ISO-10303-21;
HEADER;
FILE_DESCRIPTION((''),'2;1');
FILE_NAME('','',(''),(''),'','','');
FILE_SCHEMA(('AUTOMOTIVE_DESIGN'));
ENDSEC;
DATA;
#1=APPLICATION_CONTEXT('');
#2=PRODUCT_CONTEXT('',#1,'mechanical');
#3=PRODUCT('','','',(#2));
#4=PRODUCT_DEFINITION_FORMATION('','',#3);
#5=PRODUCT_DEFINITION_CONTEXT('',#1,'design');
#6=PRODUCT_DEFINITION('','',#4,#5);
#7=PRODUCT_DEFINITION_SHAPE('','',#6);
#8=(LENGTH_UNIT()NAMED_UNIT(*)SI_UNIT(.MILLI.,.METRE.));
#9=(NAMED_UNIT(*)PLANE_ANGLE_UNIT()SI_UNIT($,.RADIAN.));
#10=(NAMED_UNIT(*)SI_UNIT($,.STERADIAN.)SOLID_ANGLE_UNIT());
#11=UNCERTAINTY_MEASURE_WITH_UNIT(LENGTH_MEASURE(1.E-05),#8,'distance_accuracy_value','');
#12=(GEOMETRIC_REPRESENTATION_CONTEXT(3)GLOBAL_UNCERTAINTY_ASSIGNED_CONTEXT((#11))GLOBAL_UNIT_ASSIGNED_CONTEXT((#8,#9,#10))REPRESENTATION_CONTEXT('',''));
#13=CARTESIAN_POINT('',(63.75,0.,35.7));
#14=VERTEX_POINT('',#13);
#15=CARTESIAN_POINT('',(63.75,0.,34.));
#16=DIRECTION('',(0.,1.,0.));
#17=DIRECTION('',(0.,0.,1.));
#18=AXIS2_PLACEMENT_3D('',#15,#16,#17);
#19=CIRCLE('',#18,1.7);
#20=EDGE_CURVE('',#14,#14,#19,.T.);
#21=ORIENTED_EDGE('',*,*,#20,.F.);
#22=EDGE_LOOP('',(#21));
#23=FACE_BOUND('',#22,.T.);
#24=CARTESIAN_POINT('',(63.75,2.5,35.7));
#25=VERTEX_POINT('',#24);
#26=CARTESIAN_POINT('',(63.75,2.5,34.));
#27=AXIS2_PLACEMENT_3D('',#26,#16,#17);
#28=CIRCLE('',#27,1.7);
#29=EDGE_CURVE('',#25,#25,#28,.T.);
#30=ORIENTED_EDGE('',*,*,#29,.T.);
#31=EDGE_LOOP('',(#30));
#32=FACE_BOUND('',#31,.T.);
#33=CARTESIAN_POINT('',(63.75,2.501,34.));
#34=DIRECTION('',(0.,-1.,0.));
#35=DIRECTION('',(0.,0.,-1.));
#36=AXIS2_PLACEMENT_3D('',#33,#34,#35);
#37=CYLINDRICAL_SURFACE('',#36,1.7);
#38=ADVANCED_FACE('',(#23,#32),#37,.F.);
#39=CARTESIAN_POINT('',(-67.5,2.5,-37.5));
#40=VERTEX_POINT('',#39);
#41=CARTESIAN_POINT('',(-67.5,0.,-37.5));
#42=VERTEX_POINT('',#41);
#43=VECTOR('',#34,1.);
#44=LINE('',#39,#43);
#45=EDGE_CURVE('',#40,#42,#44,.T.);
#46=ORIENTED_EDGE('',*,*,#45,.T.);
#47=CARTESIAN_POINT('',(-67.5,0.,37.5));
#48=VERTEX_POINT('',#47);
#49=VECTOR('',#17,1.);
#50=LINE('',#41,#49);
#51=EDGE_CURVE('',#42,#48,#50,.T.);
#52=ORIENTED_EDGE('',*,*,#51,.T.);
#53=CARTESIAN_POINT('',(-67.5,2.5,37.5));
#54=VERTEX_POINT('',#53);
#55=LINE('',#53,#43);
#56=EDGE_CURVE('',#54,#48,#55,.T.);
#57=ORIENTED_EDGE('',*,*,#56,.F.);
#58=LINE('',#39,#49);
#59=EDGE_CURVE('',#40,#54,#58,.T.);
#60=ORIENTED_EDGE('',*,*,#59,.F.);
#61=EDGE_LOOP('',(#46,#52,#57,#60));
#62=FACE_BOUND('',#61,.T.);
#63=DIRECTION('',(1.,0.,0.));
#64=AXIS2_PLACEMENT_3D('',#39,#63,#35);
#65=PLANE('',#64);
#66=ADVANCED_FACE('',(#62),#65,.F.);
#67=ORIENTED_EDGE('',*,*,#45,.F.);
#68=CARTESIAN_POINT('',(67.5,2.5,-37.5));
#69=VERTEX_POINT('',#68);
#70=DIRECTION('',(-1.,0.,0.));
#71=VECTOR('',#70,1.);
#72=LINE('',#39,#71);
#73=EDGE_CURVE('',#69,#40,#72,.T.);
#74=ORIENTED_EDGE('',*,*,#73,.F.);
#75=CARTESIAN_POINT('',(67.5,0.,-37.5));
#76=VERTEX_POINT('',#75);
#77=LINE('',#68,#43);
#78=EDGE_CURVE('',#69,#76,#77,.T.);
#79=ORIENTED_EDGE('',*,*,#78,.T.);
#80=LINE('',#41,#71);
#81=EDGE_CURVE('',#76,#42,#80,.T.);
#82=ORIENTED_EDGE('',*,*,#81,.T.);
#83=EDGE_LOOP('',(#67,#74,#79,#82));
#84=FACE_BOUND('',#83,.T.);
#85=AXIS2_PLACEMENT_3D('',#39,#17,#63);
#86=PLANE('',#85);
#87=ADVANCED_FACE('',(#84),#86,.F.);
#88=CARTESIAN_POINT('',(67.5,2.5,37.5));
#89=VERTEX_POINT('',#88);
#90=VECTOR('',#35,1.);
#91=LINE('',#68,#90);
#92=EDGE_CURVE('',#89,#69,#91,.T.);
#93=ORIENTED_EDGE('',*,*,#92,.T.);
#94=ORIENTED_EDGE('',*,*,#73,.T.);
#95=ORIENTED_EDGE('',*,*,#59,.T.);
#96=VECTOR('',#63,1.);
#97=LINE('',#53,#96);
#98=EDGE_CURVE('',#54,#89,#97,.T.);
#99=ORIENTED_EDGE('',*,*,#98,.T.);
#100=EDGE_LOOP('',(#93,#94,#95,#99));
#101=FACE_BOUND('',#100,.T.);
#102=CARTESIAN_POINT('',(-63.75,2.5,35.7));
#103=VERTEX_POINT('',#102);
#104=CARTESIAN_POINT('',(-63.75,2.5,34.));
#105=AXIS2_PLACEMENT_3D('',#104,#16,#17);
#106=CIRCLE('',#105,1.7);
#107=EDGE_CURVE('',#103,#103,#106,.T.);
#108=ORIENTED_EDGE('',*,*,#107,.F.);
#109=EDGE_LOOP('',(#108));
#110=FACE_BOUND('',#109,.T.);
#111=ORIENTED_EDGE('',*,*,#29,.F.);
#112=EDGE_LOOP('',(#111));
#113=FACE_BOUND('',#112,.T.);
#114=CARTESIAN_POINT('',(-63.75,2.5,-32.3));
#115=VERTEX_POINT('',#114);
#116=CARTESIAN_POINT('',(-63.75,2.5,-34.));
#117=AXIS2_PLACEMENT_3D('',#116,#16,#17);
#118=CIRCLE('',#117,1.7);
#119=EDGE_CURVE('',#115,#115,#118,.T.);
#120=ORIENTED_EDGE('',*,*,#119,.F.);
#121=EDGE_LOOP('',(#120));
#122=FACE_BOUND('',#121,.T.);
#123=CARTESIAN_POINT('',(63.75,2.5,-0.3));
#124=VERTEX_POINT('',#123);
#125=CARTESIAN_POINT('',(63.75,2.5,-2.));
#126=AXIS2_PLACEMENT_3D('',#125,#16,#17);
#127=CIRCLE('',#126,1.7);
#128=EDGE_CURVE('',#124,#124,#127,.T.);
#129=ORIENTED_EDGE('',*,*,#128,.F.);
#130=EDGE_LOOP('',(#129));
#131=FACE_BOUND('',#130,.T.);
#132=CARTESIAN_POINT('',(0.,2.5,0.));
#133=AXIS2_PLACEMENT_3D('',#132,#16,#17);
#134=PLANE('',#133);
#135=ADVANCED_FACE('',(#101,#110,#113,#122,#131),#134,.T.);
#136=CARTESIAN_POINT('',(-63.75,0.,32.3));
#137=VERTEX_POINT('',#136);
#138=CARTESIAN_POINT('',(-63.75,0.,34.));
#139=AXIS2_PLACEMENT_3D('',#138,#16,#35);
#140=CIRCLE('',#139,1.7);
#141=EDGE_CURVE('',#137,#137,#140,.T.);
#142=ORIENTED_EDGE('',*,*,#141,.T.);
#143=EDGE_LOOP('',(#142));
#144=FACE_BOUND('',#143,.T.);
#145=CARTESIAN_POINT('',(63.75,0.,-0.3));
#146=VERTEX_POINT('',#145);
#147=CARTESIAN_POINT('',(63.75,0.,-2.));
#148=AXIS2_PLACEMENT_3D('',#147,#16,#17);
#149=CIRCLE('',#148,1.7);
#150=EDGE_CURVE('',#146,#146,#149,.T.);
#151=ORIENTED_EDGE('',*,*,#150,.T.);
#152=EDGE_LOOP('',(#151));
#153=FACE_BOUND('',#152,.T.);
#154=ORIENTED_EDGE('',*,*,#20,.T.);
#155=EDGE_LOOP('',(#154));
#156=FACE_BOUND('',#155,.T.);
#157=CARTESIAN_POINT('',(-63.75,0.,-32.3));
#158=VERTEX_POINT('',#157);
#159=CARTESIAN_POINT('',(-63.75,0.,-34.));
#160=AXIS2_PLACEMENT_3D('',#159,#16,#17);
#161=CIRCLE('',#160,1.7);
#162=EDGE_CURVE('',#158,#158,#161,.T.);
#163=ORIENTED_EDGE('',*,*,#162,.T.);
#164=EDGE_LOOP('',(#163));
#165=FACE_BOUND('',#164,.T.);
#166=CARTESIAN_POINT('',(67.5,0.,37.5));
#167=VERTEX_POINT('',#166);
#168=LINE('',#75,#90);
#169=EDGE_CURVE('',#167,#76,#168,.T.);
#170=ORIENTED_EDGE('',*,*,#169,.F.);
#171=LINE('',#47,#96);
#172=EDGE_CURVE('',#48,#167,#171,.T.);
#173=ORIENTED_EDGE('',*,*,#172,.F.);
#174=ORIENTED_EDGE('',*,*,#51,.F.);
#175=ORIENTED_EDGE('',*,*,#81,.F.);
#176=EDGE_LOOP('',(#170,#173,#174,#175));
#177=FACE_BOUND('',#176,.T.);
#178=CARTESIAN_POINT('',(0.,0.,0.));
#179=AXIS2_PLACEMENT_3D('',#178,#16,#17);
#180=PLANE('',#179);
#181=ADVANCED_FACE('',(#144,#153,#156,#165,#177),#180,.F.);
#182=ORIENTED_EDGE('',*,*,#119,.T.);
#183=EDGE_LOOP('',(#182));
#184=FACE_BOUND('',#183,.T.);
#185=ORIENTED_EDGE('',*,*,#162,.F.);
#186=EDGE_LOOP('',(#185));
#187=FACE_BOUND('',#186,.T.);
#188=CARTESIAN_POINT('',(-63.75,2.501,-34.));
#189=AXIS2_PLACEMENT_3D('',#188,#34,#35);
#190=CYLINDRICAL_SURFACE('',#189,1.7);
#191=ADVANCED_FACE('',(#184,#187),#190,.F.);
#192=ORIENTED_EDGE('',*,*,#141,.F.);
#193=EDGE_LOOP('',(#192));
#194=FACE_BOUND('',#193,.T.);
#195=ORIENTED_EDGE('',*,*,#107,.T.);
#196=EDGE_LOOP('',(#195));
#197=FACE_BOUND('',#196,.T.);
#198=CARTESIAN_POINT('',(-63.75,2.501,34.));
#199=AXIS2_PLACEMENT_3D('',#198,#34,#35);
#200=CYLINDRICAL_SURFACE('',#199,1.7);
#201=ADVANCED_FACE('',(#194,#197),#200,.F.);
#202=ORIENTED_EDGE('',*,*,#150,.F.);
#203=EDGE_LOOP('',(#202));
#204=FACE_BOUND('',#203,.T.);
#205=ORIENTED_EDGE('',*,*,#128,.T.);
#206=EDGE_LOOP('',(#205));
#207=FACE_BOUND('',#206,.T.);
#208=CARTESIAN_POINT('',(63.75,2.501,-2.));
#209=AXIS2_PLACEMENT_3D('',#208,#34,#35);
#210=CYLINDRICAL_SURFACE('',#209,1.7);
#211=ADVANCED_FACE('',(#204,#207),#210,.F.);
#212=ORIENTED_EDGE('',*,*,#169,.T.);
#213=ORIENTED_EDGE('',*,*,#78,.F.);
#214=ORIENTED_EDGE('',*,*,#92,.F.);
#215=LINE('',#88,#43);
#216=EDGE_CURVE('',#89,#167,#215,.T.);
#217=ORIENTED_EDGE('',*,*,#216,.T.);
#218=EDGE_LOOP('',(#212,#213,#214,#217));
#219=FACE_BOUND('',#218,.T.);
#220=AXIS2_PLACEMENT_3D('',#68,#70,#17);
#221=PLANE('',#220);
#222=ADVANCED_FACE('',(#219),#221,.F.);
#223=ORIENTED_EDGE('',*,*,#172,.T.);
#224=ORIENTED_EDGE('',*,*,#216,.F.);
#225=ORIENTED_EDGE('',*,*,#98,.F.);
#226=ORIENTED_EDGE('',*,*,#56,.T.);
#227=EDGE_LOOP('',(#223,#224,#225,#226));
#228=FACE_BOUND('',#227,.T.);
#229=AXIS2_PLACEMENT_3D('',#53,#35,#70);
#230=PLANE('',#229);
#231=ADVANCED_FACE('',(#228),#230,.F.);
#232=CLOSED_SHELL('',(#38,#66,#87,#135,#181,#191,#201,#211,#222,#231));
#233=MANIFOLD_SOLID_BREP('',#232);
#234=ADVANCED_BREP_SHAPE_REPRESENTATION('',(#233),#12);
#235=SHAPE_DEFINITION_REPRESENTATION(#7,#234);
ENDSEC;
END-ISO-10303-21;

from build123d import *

# Parameters (mm, degrees)
SKETCH1_W           = 135
SKETCH1_H           = 75
BOSS_EXTRUDE1_DEPTH = 2.5
CUT_EXTRUDE1_REACH  = 4.5
SKETCH2_R           = 1.7


with BuildPart() as part:
    # Sketch1 → Boss-Extrude1 (new body)
    with BuildSketch(Plane(origin=(0, 0, 0), x_dir=(1, 0, 0), z_dir=(0, 1, 0))):
        Rectangle(SKETCH1_W, SKETCH1_H)
    extrude(amount=BOSS_EXTRUDE1_DEPTH)

    # Sketch2 → Cut-Extrude1 (cut, up to next)
    with BuildSketch(Plane(origin=(0, 0, 0), x_dir=(1, 0, 0), z_dir=(0, 1, 0)), mode=Mode.PRIVATE) as cut_extrude1_sk1:
        with Locations((63.75, -34)):
            Circle(SKETCH2_R)
    cut_extrude1_tool1 = extrude(cut_extrude1_sk1.sketch, amount=CUT_EXTRUDE1_REACH, mode=Mode.PRIVATE) & part.part
    add(cut_extrude1_tool1.solids().sort_by_distance((63.75, 0, 34))[0], mode=Mode.SUBTRACT)
    # Sketch2 → Cut-Extrude1 (cut, up to next)
    with BuildSketch(Plane(origin=(0, 0, 0), x_dir=(1, 0, 0), z_dir=(0, 1, 0)), mode=Mode.PRIVATE) as cut_extrude1_sk2:
        with Locations((63.75, 2)):
            Circle(SKETCH2_R)
    cut_extrude1_tool2 = extrude(cut_extrude1_sk2.sketch, amount=CUT_EXTRUDE1_REACH, mode=Mode.PRIVATE) & part.part
    add(cut_extrude1_tool2.solids().sort_by_distance((63.75, 0, -2))[0], mode=Mode.SUBTRACT)
    # Sketch2 → Cut-Extrude1 (cut, up to next)
    with BuildSketch(Plane(origin=(0, 0, 0), x_dir=(1, 0, 0), z_dir=(0, 1, 0)), mode=Mode.PRIVATE) as cut_extrude1_sk3:
        with Locations((-63.75, -34)):
            Circle(SKETCH2_R)
    cut_extrude1_tool3 = extrude(cut_extrude1_sk3.sketch, amount=CUT_EXTRUDE1_REACH, mode=Mode.PRIVATE) & part.part
    add(cut_extrude1_tool3.solids().sort_by_distance((-63.75, 0, 34))[0], mode=Mode.SUBTRACT)
    # Sketch2 → Cut-Extrude1 (cut, up to next)
    with BuildSketch(Plane(origin=(0, 0, 0), x_dir=(1, 0, 0), z_dir=(0, 1, 0)), mode=Mode.PRIVATE) as cut_extrude1_sk4:
        with Locations((-63.75, 34)):
            Circle(SKETCH2_R)
    cut_extrude1_tool4 = extrude(cut_extrude1_sk4.sketch, amount=CUT_EXTRUDE1_REACH, mode=Mode.PRIVATE) & part.part
    add(cut_extrude1_tool4.solids().sort_by_distance((-63.75, 0, -34))[0], mode=Mode.SUBTRACT)


solid = part.part
